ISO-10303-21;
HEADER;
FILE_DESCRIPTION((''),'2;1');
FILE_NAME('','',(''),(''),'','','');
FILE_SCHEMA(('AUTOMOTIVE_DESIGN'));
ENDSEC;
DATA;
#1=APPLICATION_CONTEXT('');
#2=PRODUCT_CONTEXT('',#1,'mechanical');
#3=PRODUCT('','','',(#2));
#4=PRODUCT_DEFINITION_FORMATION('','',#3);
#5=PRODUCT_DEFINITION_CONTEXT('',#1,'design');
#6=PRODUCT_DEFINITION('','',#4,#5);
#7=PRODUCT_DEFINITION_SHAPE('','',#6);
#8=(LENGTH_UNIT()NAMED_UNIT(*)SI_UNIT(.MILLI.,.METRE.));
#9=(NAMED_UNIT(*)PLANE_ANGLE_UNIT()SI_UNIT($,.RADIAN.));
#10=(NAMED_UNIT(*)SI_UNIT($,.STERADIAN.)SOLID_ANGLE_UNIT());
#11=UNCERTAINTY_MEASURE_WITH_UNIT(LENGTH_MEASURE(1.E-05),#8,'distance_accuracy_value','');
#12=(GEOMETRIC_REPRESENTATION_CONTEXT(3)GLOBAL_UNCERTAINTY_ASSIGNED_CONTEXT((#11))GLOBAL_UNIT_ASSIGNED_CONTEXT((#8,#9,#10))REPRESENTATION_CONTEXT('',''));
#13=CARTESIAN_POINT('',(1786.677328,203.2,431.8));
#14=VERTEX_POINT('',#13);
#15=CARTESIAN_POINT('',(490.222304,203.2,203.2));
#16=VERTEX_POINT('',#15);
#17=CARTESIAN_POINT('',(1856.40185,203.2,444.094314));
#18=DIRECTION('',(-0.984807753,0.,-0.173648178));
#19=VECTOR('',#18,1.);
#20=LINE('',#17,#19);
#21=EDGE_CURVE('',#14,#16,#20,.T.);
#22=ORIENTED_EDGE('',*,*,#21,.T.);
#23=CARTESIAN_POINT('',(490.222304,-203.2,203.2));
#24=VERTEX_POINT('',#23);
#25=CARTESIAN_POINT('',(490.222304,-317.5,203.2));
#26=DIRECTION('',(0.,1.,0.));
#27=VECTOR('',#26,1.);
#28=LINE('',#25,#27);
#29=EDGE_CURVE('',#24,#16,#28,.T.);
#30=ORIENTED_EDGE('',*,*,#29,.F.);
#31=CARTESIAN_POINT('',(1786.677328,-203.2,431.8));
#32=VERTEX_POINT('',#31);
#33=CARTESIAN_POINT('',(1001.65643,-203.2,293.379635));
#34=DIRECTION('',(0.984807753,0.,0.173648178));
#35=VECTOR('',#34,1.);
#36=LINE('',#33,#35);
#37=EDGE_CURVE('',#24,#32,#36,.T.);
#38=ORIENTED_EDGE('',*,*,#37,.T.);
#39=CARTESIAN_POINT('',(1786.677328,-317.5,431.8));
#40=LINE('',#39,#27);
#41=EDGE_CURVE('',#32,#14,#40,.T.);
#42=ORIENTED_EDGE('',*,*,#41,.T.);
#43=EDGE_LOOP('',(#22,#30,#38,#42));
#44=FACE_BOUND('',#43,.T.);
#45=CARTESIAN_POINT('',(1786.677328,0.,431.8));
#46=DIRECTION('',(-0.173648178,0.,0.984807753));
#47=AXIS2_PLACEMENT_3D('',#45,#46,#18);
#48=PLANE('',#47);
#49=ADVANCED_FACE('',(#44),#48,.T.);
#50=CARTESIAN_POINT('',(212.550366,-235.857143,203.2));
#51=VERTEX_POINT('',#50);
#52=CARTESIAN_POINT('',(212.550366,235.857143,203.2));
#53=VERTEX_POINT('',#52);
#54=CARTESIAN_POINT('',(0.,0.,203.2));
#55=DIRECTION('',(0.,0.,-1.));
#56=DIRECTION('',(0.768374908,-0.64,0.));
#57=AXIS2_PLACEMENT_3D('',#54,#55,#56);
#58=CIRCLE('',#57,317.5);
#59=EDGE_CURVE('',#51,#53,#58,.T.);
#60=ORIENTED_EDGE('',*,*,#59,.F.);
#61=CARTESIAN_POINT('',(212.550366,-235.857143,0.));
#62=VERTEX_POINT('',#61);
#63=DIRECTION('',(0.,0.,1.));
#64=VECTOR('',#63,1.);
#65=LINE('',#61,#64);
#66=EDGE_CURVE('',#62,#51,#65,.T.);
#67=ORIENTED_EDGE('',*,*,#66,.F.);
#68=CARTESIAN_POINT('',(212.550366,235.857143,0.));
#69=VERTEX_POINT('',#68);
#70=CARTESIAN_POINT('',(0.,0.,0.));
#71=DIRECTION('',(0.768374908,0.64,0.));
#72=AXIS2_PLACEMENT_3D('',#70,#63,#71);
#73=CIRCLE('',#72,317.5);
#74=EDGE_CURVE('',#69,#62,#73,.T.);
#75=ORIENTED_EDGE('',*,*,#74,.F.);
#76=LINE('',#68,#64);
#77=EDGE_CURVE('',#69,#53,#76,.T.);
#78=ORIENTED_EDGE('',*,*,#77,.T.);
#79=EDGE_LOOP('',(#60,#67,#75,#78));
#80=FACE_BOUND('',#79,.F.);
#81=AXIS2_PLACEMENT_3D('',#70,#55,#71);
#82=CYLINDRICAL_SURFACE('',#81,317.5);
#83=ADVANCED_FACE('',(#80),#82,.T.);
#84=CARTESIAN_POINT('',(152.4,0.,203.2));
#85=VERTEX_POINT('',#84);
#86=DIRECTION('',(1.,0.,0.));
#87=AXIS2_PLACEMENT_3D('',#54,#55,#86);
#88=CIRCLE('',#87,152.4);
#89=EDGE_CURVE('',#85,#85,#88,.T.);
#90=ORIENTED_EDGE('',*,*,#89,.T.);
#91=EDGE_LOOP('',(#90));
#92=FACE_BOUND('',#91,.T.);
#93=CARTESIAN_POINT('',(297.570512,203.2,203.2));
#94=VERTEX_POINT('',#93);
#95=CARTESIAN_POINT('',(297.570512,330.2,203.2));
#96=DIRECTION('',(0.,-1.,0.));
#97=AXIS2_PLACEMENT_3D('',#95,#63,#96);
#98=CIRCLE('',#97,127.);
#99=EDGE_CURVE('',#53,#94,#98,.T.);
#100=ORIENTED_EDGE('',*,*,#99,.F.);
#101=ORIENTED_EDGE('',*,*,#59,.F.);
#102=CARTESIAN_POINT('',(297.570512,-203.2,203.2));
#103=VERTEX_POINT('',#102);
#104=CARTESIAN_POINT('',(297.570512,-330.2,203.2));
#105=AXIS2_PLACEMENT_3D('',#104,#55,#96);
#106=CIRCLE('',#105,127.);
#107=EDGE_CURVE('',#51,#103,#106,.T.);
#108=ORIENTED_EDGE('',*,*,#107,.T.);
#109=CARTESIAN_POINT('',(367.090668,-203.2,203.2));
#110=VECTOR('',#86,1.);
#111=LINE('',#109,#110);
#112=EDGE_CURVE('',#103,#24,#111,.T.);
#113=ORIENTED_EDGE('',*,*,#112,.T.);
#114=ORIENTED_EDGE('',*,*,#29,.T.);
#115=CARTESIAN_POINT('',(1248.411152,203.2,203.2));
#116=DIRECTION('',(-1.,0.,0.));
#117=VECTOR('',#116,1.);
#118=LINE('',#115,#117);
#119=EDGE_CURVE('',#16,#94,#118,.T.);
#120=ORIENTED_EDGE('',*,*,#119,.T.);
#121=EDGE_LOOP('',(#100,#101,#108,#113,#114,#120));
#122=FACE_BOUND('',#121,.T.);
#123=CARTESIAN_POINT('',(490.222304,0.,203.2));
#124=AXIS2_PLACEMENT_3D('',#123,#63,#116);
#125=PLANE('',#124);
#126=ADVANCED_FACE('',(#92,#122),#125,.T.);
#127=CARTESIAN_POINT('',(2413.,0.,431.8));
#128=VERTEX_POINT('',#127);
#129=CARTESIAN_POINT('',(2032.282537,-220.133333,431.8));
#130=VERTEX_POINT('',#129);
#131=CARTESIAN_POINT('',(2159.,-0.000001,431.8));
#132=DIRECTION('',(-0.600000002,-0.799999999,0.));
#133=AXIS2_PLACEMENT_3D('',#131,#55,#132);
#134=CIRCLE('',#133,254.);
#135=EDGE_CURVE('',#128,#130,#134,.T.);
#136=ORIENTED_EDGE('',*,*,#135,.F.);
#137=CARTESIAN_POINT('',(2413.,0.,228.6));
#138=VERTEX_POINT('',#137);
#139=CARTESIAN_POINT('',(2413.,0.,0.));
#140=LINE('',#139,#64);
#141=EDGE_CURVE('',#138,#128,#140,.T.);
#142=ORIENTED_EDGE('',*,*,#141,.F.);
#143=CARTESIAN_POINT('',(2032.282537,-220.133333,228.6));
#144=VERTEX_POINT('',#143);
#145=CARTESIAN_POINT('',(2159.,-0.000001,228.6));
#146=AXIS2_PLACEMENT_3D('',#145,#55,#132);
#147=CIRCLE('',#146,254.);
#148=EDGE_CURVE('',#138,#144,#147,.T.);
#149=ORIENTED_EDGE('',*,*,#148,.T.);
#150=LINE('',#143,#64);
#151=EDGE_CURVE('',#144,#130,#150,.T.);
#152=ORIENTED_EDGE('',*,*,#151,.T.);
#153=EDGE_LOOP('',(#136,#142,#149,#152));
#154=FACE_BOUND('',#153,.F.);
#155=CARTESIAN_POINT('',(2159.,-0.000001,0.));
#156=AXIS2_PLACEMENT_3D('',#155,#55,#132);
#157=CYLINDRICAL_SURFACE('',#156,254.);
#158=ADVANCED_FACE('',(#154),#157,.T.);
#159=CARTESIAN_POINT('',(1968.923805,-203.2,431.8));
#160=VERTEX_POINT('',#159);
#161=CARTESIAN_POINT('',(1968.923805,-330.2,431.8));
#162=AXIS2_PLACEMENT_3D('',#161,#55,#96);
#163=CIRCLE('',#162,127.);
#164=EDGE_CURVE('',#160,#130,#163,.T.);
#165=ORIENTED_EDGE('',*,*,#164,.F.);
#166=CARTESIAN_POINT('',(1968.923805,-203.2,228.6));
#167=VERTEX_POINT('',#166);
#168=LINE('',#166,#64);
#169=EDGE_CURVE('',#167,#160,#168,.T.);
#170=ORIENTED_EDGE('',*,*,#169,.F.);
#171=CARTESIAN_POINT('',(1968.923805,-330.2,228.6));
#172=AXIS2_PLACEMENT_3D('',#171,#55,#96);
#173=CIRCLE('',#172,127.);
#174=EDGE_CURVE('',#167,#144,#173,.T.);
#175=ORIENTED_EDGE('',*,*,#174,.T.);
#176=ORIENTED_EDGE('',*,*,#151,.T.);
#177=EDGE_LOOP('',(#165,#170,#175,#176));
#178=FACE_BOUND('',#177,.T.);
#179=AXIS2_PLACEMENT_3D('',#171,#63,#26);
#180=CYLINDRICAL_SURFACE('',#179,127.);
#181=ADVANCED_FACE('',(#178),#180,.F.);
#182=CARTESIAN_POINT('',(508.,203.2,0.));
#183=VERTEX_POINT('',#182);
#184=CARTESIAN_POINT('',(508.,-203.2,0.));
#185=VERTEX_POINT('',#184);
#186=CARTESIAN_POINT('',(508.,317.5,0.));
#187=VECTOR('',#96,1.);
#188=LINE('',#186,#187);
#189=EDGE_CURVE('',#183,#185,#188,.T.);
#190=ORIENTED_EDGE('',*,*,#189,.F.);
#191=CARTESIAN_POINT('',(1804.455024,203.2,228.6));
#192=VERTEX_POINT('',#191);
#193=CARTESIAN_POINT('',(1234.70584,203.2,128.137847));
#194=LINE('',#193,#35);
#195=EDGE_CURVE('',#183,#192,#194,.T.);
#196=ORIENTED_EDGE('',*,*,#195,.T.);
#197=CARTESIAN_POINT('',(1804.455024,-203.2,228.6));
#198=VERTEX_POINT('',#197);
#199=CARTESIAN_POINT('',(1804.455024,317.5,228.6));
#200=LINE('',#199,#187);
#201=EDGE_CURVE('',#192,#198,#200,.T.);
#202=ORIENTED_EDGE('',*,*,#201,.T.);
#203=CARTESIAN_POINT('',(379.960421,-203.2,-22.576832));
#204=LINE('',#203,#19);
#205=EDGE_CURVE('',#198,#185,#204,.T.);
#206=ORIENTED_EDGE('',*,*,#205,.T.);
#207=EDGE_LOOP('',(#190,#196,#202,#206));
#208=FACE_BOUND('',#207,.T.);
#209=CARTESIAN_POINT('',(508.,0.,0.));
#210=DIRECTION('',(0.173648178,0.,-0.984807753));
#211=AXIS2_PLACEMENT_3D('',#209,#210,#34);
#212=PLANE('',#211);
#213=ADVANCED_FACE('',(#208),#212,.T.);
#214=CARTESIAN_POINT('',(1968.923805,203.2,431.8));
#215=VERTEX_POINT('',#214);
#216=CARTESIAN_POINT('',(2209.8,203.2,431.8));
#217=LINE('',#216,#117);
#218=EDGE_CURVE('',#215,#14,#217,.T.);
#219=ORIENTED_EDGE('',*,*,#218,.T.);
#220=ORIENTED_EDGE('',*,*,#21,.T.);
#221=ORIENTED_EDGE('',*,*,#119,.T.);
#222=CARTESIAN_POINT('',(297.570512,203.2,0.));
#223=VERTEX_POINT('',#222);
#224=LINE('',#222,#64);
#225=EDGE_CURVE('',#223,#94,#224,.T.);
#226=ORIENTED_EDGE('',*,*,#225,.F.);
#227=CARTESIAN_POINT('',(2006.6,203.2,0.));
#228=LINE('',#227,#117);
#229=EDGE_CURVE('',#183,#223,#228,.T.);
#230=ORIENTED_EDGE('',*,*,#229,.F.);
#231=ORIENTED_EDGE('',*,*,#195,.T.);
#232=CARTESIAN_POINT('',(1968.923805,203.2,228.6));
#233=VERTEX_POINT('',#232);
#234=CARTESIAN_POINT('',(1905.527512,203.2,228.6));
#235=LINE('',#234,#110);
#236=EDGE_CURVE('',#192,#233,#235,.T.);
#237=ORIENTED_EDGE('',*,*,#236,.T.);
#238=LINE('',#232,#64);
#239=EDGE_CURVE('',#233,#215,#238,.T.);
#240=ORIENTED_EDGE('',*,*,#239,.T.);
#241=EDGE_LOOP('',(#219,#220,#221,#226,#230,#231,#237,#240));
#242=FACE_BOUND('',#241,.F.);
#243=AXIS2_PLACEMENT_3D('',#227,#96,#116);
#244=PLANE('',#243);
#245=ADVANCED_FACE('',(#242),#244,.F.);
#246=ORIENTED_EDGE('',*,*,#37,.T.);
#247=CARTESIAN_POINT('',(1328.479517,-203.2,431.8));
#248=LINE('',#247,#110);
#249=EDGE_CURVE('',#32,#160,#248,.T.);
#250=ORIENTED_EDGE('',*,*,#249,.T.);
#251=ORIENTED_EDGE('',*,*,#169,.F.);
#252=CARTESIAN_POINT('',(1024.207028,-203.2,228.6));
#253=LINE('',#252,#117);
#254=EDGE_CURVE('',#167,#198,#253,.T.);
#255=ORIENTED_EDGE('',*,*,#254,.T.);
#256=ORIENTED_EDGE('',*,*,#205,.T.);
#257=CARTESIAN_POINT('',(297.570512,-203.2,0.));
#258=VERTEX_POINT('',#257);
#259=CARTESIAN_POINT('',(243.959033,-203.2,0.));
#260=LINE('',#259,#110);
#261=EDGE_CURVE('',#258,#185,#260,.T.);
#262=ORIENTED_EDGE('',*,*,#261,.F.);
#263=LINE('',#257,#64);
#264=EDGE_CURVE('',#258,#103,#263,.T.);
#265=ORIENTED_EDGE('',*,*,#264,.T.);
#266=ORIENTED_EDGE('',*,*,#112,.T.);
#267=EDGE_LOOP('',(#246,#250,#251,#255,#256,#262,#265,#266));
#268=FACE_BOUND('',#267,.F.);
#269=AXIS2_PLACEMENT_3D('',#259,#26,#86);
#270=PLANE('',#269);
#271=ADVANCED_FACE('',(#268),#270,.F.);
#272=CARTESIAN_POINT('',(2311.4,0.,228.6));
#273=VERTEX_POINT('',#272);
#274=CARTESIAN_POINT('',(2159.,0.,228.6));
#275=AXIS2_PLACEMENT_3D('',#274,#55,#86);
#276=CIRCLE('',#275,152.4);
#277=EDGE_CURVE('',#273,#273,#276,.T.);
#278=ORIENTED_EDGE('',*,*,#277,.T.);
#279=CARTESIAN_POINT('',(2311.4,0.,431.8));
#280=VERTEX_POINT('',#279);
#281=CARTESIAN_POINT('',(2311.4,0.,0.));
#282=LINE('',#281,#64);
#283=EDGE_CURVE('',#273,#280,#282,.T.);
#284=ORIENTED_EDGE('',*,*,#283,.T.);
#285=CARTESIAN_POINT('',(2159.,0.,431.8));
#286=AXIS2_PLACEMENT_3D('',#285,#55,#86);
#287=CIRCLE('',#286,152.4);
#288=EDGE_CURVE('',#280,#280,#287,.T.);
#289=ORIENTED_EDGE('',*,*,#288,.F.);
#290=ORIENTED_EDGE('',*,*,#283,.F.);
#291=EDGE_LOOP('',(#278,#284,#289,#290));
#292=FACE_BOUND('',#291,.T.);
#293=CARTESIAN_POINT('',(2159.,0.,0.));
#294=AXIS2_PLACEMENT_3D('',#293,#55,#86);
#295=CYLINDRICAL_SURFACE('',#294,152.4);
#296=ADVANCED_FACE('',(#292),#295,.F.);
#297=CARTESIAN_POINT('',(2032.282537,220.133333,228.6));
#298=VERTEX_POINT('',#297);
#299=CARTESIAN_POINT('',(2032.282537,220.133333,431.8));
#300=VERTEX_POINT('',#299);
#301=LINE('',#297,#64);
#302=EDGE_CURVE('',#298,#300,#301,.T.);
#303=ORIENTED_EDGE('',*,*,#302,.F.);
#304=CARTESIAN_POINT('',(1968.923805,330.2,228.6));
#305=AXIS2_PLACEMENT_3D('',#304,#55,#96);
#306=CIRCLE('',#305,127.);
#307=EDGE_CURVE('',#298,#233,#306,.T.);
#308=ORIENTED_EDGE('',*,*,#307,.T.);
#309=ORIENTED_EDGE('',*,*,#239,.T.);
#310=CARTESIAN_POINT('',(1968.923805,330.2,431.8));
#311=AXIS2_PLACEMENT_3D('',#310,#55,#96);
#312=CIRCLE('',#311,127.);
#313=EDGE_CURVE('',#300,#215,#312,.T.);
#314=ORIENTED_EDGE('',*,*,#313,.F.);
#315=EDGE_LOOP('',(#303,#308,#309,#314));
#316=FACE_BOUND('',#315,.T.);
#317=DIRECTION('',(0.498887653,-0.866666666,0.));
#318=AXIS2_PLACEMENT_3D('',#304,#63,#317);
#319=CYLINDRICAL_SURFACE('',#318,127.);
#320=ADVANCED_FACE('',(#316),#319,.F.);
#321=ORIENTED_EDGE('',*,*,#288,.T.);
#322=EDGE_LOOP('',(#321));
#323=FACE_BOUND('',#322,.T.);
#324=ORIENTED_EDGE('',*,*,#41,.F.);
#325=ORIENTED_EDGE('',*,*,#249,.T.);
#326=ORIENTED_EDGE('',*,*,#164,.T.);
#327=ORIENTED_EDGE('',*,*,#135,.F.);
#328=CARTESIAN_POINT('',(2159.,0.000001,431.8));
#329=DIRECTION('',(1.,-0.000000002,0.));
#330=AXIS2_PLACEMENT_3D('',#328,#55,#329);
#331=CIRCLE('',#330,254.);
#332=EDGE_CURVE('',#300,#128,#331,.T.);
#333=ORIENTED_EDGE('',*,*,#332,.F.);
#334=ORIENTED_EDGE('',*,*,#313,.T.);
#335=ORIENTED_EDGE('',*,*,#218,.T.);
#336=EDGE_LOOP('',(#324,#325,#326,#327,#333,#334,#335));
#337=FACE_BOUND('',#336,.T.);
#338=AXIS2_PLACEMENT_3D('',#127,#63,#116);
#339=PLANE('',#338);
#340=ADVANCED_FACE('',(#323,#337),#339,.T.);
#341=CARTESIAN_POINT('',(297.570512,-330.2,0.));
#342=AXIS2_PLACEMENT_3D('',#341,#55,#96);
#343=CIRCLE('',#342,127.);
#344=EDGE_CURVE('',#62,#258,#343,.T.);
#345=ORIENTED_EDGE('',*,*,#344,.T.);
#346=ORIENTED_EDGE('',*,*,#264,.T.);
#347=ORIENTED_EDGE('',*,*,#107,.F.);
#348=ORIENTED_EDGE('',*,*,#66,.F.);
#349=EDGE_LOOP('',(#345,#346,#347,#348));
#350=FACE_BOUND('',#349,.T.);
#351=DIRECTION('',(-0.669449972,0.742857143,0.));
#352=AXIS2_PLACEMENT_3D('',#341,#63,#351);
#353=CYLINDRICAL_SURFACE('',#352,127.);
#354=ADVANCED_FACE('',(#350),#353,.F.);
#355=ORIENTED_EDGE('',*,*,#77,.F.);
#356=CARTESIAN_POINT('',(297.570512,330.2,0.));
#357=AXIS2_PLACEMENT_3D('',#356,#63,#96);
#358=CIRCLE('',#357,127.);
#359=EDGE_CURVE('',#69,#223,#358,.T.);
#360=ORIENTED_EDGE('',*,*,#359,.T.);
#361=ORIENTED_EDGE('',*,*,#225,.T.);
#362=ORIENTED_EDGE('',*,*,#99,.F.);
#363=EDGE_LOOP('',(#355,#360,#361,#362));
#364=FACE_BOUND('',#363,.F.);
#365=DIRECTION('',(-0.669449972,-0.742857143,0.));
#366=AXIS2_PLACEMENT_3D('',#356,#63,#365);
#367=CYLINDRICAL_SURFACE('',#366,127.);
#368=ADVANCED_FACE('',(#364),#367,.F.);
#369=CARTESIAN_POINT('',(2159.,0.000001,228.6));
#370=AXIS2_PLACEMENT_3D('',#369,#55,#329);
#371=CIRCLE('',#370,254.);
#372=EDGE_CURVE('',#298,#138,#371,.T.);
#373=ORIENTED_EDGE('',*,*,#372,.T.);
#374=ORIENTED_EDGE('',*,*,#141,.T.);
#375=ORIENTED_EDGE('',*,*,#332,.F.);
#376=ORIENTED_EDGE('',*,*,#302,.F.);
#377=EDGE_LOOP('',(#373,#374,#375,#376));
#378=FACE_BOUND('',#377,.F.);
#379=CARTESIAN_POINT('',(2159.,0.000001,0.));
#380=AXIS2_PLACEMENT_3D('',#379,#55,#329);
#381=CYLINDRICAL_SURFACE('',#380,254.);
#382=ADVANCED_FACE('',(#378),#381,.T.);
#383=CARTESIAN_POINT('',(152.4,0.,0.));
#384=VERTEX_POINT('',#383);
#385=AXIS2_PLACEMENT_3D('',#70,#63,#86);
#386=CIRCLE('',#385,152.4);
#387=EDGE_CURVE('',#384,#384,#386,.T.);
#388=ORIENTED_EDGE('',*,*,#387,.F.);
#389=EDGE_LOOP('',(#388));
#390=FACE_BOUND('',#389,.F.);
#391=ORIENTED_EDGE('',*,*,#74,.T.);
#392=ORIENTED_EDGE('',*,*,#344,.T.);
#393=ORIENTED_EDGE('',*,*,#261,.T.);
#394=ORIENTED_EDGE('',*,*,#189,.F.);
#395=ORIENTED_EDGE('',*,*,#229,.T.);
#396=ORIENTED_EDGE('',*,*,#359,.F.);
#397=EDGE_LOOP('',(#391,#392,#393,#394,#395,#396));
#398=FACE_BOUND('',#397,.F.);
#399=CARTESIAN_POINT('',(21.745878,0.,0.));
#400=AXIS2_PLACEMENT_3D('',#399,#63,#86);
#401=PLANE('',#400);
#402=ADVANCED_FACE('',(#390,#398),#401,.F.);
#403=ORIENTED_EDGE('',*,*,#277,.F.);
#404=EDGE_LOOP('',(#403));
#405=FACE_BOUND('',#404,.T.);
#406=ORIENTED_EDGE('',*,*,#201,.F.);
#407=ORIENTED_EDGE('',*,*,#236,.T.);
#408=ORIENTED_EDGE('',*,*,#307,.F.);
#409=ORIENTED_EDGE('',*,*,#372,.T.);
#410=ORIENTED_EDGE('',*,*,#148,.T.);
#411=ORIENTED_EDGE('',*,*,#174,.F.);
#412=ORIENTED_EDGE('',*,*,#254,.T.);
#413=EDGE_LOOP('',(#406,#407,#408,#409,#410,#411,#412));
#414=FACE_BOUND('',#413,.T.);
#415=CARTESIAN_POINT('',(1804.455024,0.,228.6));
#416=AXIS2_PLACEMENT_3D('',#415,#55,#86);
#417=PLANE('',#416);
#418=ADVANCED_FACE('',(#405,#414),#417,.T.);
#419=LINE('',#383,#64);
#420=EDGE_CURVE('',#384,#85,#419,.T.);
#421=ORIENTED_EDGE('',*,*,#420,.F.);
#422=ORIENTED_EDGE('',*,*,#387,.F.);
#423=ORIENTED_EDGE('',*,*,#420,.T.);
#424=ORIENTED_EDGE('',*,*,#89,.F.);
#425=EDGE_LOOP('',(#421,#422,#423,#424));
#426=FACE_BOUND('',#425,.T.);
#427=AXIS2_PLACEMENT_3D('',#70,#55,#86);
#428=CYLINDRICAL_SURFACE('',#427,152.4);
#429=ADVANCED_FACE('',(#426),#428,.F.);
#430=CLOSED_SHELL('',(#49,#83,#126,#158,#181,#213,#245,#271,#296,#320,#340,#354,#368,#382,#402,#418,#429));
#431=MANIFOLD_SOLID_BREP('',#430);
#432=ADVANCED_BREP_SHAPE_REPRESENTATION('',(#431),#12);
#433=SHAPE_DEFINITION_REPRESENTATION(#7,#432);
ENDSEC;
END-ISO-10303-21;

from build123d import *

# Parameters (mm, degrees)
F0_R     = 152.4
F1_DEPTH = 635
F3_DEPTH = 317.5
F4_R     = 127


with BuildPart() as f1:
    # F0 (on Top) → F1 (new body)
    with BuildSketch(Plane.XY):
        with BuildLine():
            ThreePointArc((243.959033, -203.2), (298.549195, -108.049195), (317.5, 0))
            ThreePointArc((317.5, 0), (298.549195, 108.049195), (243.959033, 203.2))
            ThreePointArc((243.959033, 203.2), (-317.5, 0), (243.959033, -203.2))
        make_face()
        Circle(F0_R, mode=Mode.SUBTRACT)
        with BuildLine():
            ThreePointArc((243.959033, 203.2), (298.549195, 108.049195), (317.5, 0))
            ThreePointArc((317.5, 0), (298.549195, -108.049195), (243.959033, -203.2))
            Line((243.959033, -203.2), (2006.6, -203.2))
            ThreePointArc((2006.6, -203.2), (1905, 0), (2006.6, 203.2))
            Line((2006.6, 203.2), (243.959033, 203.2))
        make_face()
        with BuildLine():
            ThreePointArc((2413, 0), (2272.592253, 227.184507), (2006.6, 203.2))
            ThreePointArc((2006.6, 203.2), (1905, 0), (2006.6, -203.2))
            ThreePointArc((2006.6, -203.2), (2272.592253, -227.184507), (2413, 0))
        make_face()
        with Locations((2159, 0)):
            Circle(F0_R, mode=Mode.SUBTRACT)
    extrude(amount=F1_DEPTH)

    # F2 (on Front) → F3 (intersect, symmetric)
    with BuildSketch(Plane.XZ):
        Polygon((-317.5, 203.2), (-317.5, 0), (508, 0), (1804.455024, 228.6), (2413, 228.6), (2413, 431.8), (1786.677328, 431.8), (490.222304, 203.2), align=None)
    extrude(amount=F3_DEPTH, both=True, mode=Mode.INTERSECT)

    # F4
    f4_edges = [f1.edges().sort_by_distance(p)[0] for p in [
        (2006.6, 203.2, 330.2),
        (243.959033, 203.2, 101.6),
        (243.959033, -203.2, 101.6),
        (2006.6, -203.2, 330.2),
    ]]
    fillet(f4_edges, radius=F4_R)


solid = f1.part
